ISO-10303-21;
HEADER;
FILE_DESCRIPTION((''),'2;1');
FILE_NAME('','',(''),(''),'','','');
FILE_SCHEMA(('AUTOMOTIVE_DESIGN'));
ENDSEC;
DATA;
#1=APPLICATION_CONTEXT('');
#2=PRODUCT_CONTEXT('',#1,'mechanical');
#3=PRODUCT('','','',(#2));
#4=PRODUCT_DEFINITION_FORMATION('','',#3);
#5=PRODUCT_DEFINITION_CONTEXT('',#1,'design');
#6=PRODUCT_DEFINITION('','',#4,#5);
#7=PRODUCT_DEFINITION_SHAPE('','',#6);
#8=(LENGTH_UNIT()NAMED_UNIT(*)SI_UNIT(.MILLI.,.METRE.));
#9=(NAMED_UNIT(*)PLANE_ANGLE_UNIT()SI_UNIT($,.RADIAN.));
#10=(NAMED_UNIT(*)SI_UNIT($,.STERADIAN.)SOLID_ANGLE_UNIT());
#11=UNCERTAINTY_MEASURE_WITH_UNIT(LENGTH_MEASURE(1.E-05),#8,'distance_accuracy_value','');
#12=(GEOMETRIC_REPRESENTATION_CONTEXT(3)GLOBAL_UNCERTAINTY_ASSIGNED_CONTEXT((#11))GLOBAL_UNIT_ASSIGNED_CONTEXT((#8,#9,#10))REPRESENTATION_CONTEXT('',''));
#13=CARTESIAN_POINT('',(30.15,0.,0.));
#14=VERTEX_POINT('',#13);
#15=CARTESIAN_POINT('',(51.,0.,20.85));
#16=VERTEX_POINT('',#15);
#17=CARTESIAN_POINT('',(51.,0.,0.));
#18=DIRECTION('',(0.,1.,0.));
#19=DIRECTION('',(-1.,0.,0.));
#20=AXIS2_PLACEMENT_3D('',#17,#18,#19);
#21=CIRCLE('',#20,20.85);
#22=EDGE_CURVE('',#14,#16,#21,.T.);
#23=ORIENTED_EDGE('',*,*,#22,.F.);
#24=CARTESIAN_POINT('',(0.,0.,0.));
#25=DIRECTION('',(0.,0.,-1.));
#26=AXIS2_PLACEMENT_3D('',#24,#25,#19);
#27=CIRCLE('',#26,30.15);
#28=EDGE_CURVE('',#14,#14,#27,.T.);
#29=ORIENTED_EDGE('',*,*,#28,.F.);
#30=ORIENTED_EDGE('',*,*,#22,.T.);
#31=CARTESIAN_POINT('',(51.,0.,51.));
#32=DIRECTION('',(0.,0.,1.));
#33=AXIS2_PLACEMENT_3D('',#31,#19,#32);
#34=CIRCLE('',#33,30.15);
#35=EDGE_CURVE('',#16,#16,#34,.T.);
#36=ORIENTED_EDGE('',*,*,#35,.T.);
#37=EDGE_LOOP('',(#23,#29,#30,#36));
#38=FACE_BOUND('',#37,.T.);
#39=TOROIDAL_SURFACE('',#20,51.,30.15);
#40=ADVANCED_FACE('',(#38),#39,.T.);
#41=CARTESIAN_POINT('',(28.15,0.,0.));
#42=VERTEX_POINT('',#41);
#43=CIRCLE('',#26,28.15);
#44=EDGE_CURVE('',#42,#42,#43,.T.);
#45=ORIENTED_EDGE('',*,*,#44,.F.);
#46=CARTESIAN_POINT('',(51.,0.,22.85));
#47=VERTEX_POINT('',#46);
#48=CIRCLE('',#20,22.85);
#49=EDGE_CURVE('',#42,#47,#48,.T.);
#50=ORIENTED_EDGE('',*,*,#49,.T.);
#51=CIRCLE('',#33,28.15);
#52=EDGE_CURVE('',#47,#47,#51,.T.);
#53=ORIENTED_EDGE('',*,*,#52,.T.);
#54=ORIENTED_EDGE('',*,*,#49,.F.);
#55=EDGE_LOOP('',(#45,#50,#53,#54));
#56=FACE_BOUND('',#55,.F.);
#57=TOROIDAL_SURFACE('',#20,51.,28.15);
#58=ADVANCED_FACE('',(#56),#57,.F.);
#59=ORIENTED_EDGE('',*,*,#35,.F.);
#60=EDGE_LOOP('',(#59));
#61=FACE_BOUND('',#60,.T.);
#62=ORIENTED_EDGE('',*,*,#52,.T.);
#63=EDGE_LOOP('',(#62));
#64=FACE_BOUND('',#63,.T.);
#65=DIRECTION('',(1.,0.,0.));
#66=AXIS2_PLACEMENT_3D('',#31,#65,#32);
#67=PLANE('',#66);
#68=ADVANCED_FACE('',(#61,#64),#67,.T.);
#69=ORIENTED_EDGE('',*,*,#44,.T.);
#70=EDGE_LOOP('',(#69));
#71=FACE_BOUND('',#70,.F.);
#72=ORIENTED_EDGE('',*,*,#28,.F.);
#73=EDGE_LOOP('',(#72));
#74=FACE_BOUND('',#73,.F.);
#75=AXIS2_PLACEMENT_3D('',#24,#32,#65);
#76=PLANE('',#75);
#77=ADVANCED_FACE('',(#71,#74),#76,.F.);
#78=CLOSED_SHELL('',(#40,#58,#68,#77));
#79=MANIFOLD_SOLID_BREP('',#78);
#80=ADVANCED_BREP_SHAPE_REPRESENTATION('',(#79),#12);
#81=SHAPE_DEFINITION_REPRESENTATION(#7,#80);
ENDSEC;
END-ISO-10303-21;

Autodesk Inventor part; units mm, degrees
ref_plane "YZ Plane" through (0, 0, 0) normal (1, 0, 0) x (0, 1, 0)
ref_plane "XZ Plane" through (0, 0, 0) normal (0, 1, 0) x (-1, 0, 0)
ref_plane "XY Plane" through (0, 0, 0) normal (0, 0, 1) x (1, 0, 0)
sketch "Sketch1" plane through (0, 0, 0) normal (0, 0, 1) x (1, 0, 0)
  circle A0 centre (0, 0) radius 28.15
  circle A1 centre (0, 0) radius 30.15
  dimension "d0" = 56.3
  dimension "d1" = 60.3
sketch "Sketch2" plane through (0, 0, 0) normal (0, 1, 0) x (-1, 0, 0)
  line L0 (0, 0) -> (0, 51) construction
  line L1 (0, 51) -> (-51, 51) construction
  arc A0 (0, 0) -> (-51, 51) centre (-51, 0) ccw
  dimension "d2" = 51
  dimension "d3" = 51
sweep "Sweep1" add profiles "Sketch1" path "Sketch2"
equation "\"d0\" = -2 * s1 + da"
equation "\"d1\" = da"
equation "\"d2\" = r"
equation "\"d3\" = r"
equation "\"da\" = 60.3"
equation "\"r\" = 51"
equation "\"s1\" = 2"
equation "\"Size_Designation\" = 1.2345"
properties part number "DIN 2605 90 Deg Elbow Type 2 60.3 - 2S" material "Steel"
